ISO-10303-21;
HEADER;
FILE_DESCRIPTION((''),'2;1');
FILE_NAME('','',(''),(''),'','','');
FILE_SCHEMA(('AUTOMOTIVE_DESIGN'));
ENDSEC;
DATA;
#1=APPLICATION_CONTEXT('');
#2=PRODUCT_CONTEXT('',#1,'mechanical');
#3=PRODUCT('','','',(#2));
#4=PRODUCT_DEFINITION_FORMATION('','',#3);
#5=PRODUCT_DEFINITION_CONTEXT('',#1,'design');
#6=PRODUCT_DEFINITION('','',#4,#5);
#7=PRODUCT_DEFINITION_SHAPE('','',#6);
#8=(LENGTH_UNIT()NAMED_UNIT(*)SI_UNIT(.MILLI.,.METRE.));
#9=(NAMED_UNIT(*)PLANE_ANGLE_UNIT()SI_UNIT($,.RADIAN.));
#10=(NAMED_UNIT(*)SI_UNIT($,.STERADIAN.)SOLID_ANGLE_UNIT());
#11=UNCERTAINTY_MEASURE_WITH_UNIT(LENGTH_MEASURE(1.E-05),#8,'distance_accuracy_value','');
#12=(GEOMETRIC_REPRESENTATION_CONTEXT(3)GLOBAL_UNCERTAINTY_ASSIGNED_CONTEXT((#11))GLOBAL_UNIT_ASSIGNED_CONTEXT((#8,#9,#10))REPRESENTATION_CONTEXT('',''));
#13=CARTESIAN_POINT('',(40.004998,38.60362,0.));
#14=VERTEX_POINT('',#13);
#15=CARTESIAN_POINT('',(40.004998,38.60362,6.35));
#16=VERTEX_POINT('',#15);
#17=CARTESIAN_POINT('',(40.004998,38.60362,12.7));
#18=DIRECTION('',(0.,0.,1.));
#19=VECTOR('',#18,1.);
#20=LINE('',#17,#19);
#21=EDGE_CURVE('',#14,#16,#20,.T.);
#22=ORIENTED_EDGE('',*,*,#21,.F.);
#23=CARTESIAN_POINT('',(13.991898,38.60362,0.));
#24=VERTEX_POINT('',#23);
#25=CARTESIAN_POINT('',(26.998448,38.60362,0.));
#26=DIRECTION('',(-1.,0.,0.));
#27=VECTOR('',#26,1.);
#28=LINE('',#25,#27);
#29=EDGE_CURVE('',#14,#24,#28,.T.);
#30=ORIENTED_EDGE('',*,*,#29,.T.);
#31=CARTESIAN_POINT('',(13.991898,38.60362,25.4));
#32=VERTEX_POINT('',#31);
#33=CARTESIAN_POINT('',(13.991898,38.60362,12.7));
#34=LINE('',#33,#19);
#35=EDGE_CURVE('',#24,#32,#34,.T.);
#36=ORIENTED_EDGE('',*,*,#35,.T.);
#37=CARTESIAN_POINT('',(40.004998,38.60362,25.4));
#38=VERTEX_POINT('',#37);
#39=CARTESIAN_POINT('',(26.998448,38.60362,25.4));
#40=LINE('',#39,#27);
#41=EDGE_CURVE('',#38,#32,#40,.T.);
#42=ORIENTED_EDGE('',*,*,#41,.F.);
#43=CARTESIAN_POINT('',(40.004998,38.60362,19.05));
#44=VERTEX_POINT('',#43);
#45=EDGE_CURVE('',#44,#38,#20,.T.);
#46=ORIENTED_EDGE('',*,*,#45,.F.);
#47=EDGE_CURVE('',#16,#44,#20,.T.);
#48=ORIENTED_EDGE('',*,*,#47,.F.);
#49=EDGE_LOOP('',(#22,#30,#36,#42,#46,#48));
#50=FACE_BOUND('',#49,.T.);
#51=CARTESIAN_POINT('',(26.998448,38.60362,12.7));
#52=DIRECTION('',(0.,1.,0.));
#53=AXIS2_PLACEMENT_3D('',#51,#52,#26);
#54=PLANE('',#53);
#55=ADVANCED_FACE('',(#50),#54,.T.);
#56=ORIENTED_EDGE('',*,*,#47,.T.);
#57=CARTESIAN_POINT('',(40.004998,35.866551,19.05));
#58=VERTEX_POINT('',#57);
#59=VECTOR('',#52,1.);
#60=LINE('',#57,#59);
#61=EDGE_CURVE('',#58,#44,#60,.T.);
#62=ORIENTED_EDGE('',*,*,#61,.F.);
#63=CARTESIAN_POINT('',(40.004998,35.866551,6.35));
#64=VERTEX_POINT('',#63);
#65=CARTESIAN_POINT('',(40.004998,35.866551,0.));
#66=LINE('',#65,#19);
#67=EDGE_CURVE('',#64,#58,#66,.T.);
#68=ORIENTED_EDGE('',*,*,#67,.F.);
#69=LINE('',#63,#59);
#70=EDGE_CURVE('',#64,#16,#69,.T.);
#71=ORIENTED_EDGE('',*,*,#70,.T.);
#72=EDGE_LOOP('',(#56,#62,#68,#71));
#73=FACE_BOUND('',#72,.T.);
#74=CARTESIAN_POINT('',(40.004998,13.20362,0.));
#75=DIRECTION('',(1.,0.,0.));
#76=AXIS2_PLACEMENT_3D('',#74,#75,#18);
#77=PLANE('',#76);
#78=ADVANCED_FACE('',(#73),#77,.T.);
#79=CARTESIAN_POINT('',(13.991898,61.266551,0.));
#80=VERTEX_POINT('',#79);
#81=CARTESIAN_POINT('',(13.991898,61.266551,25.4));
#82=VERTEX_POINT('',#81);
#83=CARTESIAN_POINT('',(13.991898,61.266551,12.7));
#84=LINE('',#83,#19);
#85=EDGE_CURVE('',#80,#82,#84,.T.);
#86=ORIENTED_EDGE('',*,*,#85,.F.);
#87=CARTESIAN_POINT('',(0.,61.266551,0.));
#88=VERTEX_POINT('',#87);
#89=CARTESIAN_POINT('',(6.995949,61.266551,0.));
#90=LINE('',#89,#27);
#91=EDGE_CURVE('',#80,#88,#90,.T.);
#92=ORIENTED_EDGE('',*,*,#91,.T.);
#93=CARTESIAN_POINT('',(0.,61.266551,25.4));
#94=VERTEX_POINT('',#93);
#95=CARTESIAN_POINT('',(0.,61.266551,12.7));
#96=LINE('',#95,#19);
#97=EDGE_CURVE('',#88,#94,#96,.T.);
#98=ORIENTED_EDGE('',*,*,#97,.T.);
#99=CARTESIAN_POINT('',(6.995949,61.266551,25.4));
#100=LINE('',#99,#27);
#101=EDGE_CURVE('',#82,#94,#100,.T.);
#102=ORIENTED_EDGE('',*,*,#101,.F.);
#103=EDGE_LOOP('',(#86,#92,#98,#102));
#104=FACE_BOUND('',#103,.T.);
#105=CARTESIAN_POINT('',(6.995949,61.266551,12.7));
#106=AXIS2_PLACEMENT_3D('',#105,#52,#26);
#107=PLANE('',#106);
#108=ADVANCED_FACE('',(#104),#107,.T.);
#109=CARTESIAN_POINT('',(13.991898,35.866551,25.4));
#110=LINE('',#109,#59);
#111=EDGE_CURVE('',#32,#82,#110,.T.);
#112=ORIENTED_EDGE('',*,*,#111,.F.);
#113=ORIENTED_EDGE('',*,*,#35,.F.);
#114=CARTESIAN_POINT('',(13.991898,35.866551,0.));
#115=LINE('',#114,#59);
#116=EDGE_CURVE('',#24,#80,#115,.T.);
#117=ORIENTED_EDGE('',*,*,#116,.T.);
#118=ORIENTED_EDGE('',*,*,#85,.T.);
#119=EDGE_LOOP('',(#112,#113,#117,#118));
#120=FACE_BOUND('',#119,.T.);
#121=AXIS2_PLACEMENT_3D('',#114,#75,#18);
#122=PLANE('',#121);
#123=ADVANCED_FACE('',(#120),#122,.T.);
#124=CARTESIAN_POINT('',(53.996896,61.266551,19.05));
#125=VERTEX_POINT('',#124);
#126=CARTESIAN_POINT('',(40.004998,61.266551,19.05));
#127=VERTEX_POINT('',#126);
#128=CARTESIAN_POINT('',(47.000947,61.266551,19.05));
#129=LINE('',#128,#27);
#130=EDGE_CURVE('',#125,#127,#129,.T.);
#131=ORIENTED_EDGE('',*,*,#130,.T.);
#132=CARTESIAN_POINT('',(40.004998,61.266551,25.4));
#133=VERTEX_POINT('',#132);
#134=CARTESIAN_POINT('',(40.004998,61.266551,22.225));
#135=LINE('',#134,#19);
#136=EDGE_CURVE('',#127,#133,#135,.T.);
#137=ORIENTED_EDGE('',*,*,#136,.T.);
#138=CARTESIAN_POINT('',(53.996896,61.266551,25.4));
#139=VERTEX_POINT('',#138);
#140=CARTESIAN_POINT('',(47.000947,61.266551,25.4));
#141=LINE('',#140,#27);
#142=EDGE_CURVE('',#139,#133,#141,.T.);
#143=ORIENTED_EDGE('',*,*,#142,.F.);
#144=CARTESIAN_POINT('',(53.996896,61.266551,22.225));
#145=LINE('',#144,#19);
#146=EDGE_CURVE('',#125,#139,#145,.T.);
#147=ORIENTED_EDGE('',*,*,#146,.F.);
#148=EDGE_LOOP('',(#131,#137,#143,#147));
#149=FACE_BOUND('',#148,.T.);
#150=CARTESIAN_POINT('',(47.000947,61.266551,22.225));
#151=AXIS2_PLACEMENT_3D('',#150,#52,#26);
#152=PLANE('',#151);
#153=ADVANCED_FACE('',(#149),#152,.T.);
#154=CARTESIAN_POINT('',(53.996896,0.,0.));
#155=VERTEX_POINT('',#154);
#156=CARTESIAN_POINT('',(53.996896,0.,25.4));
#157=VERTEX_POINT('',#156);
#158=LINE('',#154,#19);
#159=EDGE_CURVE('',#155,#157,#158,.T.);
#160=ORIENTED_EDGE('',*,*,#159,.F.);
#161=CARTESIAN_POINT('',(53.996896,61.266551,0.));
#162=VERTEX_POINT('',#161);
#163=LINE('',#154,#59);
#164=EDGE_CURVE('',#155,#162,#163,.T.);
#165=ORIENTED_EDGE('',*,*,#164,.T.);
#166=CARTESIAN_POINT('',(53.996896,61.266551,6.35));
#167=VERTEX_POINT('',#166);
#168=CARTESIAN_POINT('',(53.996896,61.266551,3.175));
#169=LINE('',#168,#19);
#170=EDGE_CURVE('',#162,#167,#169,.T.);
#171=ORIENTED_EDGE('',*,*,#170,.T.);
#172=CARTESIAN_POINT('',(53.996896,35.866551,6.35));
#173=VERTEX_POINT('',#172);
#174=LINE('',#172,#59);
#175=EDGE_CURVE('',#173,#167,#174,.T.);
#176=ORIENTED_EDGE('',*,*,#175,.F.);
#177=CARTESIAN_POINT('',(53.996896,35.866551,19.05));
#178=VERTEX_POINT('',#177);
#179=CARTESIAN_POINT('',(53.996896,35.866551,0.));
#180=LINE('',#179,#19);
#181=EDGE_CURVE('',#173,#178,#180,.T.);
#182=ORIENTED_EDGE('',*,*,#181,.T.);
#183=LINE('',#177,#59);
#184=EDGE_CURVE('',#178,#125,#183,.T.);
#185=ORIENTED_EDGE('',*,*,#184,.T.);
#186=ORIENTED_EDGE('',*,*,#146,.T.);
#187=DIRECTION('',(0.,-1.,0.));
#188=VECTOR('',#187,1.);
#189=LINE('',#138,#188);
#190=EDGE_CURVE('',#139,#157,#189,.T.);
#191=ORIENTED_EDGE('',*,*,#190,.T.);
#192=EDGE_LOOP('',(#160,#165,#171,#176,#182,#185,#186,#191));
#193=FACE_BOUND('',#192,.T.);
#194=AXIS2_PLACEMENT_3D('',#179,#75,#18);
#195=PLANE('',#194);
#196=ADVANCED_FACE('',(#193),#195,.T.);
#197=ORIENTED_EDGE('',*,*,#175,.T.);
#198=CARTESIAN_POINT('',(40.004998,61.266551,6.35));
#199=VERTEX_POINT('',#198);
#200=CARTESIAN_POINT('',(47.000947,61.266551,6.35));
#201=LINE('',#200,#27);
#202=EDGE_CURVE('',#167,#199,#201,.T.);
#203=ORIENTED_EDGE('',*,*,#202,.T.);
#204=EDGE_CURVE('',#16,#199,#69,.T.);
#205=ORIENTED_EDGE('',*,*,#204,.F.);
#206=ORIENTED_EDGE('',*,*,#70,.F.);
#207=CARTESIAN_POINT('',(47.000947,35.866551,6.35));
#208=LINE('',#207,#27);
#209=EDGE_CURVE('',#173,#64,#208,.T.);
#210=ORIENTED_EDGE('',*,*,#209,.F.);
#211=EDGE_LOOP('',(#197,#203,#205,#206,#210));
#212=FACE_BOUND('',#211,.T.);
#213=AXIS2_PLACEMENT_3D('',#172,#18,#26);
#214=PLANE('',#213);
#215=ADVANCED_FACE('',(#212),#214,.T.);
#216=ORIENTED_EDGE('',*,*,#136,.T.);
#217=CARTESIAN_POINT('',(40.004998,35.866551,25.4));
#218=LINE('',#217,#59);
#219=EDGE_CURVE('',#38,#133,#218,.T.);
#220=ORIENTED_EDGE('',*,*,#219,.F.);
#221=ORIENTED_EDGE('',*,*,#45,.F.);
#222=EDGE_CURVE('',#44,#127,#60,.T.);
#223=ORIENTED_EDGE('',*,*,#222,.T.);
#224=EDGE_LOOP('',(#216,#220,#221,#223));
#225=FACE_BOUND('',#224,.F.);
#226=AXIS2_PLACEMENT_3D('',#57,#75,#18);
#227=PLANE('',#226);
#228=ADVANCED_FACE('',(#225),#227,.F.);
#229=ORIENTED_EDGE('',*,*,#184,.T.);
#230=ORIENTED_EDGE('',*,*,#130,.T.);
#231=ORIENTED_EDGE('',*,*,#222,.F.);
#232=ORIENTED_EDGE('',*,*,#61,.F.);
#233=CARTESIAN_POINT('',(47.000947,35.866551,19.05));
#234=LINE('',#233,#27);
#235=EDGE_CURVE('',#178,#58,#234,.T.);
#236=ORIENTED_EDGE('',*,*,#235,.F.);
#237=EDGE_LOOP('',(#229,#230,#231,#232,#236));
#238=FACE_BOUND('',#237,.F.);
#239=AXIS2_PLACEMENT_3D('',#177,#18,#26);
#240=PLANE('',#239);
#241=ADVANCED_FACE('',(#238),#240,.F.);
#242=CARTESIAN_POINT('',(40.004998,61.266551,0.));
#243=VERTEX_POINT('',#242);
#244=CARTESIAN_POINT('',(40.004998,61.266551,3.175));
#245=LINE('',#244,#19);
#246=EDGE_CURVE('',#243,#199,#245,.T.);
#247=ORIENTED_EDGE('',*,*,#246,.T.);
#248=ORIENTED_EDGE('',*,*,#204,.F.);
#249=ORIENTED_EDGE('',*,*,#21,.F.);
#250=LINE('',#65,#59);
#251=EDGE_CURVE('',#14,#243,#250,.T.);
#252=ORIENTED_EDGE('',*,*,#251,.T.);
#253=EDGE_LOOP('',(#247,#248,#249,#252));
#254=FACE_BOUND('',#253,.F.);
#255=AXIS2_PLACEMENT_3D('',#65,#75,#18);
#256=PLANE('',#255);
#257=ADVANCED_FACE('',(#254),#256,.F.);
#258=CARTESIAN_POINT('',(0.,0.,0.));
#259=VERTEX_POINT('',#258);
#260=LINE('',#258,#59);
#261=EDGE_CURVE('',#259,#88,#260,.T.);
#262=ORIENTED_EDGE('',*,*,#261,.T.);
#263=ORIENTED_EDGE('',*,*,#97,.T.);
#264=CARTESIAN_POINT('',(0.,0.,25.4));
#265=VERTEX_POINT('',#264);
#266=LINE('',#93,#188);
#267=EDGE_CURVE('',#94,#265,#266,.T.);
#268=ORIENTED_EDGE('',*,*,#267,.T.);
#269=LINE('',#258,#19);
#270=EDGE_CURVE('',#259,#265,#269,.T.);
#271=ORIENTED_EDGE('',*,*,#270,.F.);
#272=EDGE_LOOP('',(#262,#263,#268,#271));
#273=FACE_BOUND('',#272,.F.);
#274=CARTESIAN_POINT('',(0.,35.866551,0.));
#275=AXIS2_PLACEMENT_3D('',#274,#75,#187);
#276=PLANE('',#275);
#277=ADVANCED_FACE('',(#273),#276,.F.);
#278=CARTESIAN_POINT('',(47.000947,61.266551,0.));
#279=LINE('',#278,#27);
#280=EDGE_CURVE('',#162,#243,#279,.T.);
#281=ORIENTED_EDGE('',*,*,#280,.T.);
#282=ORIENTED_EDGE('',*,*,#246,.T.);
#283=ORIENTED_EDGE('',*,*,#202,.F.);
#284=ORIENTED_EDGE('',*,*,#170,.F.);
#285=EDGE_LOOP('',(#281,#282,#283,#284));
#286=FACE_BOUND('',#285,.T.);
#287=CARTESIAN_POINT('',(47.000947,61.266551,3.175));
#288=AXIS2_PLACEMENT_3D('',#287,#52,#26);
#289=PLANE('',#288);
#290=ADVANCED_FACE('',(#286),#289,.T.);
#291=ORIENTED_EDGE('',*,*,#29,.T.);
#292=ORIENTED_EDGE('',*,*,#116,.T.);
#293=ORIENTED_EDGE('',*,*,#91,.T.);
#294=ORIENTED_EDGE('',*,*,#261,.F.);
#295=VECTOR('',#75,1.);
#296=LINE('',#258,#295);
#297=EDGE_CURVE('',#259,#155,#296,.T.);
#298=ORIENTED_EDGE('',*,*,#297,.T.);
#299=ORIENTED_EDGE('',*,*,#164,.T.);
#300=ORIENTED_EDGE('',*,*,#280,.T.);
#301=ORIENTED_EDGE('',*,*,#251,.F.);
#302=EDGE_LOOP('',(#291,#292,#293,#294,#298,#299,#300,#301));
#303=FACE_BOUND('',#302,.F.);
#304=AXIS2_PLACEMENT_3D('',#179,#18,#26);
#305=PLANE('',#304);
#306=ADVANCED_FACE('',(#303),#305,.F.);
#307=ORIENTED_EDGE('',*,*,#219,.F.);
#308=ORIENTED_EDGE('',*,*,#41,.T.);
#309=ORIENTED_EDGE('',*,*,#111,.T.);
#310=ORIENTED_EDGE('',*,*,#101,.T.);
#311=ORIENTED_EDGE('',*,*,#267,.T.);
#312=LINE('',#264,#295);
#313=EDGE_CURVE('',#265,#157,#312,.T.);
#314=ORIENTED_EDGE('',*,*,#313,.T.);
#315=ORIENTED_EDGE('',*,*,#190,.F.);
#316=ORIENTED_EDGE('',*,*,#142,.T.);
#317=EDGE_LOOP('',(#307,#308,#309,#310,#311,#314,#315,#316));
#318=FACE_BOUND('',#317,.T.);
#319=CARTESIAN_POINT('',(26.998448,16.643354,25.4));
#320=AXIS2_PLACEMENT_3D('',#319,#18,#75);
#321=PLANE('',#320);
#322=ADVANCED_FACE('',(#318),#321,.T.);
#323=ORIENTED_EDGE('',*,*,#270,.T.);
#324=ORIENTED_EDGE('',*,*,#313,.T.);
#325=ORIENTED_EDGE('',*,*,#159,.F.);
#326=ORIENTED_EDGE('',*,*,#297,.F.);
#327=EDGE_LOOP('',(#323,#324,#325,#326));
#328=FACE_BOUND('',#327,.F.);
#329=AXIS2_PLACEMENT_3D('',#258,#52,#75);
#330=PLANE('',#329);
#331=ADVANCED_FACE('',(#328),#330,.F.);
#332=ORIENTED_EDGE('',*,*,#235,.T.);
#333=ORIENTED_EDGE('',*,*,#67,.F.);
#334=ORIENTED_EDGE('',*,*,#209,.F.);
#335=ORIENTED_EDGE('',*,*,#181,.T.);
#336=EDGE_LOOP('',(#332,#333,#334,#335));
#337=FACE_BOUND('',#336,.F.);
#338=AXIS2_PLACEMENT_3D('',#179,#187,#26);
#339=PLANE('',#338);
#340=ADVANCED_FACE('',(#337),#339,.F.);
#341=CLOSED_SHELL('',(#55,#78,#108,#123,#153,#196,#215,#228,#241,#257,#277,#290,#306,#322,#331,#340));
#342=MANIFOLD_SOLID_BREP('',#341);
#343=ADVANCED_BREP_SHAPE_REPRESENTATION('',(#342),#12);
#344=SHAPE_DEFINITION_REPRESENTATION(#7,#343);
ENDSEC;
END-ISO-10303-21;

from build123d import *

# Parameters (mm, degrees)
F1_DEPTH   = 25.4
F2_W       = 13.9918979257
F2_H       = 6.35
F1_FACE1_W = 26.0131005198
F1_FACE1_H = 25.4
F1_FACE_W  = 13.9918979257
F1_FACE_H  = 25.4
F3_DEPTH   = 25.4


with BuildPart() as f1:
    # F0 (on Top) → F1 (new body)
    with BuildSketch(Plane.XY):
        Polygon((0, 35.8665511012), (0, 0), (53.9968963712, 0), (53.9968963712, 35.8665511012), (40.0049984455, 35.8665511012), (40.0049984455, 13.2036199793), (13.9918979257, 13.2036199793), (13.9918979257, 35.8665511012), align=None)
    extrude(amount=F1_DEPTH)

    # F2 (on face) + F1_face1 (on face) + F1_face (on face) → F3 (join)
    with BuildSketch(Plane(origin=(0, 35.8665511012, 0), x_dir=(-1, 0, 0), z_dir=(0, 1, 0))):
        with Locations((-47.0009474084, 3.175)):
            Rectangle(F2_W, F2_H)
        with Locations((-47.0009474084, 22.225)):
            Rectangle(F2_W, F2_H)
    with BuildSketch(Plane(origin=(26.9984481856, 13.2036199793, 12.7), x_dir=(-1, 0, 0), z_dir=(0, 1, 0))):
        Rectangle(F1_FACE1_W, F1_FACE1_H)
    with BuildSketch(Plane(origin=(47.0009474084, 35.8665511012, 12.7), x_dir=(-1, 0, 0), z_dir=(0, 1, 0))):
        with Locations((40.0049984455, 0)):
            Rectangle(F1_FACE_W, F1_FACE_H)
    extrude(amount=F3_DEPTH)


solid = f1.part
